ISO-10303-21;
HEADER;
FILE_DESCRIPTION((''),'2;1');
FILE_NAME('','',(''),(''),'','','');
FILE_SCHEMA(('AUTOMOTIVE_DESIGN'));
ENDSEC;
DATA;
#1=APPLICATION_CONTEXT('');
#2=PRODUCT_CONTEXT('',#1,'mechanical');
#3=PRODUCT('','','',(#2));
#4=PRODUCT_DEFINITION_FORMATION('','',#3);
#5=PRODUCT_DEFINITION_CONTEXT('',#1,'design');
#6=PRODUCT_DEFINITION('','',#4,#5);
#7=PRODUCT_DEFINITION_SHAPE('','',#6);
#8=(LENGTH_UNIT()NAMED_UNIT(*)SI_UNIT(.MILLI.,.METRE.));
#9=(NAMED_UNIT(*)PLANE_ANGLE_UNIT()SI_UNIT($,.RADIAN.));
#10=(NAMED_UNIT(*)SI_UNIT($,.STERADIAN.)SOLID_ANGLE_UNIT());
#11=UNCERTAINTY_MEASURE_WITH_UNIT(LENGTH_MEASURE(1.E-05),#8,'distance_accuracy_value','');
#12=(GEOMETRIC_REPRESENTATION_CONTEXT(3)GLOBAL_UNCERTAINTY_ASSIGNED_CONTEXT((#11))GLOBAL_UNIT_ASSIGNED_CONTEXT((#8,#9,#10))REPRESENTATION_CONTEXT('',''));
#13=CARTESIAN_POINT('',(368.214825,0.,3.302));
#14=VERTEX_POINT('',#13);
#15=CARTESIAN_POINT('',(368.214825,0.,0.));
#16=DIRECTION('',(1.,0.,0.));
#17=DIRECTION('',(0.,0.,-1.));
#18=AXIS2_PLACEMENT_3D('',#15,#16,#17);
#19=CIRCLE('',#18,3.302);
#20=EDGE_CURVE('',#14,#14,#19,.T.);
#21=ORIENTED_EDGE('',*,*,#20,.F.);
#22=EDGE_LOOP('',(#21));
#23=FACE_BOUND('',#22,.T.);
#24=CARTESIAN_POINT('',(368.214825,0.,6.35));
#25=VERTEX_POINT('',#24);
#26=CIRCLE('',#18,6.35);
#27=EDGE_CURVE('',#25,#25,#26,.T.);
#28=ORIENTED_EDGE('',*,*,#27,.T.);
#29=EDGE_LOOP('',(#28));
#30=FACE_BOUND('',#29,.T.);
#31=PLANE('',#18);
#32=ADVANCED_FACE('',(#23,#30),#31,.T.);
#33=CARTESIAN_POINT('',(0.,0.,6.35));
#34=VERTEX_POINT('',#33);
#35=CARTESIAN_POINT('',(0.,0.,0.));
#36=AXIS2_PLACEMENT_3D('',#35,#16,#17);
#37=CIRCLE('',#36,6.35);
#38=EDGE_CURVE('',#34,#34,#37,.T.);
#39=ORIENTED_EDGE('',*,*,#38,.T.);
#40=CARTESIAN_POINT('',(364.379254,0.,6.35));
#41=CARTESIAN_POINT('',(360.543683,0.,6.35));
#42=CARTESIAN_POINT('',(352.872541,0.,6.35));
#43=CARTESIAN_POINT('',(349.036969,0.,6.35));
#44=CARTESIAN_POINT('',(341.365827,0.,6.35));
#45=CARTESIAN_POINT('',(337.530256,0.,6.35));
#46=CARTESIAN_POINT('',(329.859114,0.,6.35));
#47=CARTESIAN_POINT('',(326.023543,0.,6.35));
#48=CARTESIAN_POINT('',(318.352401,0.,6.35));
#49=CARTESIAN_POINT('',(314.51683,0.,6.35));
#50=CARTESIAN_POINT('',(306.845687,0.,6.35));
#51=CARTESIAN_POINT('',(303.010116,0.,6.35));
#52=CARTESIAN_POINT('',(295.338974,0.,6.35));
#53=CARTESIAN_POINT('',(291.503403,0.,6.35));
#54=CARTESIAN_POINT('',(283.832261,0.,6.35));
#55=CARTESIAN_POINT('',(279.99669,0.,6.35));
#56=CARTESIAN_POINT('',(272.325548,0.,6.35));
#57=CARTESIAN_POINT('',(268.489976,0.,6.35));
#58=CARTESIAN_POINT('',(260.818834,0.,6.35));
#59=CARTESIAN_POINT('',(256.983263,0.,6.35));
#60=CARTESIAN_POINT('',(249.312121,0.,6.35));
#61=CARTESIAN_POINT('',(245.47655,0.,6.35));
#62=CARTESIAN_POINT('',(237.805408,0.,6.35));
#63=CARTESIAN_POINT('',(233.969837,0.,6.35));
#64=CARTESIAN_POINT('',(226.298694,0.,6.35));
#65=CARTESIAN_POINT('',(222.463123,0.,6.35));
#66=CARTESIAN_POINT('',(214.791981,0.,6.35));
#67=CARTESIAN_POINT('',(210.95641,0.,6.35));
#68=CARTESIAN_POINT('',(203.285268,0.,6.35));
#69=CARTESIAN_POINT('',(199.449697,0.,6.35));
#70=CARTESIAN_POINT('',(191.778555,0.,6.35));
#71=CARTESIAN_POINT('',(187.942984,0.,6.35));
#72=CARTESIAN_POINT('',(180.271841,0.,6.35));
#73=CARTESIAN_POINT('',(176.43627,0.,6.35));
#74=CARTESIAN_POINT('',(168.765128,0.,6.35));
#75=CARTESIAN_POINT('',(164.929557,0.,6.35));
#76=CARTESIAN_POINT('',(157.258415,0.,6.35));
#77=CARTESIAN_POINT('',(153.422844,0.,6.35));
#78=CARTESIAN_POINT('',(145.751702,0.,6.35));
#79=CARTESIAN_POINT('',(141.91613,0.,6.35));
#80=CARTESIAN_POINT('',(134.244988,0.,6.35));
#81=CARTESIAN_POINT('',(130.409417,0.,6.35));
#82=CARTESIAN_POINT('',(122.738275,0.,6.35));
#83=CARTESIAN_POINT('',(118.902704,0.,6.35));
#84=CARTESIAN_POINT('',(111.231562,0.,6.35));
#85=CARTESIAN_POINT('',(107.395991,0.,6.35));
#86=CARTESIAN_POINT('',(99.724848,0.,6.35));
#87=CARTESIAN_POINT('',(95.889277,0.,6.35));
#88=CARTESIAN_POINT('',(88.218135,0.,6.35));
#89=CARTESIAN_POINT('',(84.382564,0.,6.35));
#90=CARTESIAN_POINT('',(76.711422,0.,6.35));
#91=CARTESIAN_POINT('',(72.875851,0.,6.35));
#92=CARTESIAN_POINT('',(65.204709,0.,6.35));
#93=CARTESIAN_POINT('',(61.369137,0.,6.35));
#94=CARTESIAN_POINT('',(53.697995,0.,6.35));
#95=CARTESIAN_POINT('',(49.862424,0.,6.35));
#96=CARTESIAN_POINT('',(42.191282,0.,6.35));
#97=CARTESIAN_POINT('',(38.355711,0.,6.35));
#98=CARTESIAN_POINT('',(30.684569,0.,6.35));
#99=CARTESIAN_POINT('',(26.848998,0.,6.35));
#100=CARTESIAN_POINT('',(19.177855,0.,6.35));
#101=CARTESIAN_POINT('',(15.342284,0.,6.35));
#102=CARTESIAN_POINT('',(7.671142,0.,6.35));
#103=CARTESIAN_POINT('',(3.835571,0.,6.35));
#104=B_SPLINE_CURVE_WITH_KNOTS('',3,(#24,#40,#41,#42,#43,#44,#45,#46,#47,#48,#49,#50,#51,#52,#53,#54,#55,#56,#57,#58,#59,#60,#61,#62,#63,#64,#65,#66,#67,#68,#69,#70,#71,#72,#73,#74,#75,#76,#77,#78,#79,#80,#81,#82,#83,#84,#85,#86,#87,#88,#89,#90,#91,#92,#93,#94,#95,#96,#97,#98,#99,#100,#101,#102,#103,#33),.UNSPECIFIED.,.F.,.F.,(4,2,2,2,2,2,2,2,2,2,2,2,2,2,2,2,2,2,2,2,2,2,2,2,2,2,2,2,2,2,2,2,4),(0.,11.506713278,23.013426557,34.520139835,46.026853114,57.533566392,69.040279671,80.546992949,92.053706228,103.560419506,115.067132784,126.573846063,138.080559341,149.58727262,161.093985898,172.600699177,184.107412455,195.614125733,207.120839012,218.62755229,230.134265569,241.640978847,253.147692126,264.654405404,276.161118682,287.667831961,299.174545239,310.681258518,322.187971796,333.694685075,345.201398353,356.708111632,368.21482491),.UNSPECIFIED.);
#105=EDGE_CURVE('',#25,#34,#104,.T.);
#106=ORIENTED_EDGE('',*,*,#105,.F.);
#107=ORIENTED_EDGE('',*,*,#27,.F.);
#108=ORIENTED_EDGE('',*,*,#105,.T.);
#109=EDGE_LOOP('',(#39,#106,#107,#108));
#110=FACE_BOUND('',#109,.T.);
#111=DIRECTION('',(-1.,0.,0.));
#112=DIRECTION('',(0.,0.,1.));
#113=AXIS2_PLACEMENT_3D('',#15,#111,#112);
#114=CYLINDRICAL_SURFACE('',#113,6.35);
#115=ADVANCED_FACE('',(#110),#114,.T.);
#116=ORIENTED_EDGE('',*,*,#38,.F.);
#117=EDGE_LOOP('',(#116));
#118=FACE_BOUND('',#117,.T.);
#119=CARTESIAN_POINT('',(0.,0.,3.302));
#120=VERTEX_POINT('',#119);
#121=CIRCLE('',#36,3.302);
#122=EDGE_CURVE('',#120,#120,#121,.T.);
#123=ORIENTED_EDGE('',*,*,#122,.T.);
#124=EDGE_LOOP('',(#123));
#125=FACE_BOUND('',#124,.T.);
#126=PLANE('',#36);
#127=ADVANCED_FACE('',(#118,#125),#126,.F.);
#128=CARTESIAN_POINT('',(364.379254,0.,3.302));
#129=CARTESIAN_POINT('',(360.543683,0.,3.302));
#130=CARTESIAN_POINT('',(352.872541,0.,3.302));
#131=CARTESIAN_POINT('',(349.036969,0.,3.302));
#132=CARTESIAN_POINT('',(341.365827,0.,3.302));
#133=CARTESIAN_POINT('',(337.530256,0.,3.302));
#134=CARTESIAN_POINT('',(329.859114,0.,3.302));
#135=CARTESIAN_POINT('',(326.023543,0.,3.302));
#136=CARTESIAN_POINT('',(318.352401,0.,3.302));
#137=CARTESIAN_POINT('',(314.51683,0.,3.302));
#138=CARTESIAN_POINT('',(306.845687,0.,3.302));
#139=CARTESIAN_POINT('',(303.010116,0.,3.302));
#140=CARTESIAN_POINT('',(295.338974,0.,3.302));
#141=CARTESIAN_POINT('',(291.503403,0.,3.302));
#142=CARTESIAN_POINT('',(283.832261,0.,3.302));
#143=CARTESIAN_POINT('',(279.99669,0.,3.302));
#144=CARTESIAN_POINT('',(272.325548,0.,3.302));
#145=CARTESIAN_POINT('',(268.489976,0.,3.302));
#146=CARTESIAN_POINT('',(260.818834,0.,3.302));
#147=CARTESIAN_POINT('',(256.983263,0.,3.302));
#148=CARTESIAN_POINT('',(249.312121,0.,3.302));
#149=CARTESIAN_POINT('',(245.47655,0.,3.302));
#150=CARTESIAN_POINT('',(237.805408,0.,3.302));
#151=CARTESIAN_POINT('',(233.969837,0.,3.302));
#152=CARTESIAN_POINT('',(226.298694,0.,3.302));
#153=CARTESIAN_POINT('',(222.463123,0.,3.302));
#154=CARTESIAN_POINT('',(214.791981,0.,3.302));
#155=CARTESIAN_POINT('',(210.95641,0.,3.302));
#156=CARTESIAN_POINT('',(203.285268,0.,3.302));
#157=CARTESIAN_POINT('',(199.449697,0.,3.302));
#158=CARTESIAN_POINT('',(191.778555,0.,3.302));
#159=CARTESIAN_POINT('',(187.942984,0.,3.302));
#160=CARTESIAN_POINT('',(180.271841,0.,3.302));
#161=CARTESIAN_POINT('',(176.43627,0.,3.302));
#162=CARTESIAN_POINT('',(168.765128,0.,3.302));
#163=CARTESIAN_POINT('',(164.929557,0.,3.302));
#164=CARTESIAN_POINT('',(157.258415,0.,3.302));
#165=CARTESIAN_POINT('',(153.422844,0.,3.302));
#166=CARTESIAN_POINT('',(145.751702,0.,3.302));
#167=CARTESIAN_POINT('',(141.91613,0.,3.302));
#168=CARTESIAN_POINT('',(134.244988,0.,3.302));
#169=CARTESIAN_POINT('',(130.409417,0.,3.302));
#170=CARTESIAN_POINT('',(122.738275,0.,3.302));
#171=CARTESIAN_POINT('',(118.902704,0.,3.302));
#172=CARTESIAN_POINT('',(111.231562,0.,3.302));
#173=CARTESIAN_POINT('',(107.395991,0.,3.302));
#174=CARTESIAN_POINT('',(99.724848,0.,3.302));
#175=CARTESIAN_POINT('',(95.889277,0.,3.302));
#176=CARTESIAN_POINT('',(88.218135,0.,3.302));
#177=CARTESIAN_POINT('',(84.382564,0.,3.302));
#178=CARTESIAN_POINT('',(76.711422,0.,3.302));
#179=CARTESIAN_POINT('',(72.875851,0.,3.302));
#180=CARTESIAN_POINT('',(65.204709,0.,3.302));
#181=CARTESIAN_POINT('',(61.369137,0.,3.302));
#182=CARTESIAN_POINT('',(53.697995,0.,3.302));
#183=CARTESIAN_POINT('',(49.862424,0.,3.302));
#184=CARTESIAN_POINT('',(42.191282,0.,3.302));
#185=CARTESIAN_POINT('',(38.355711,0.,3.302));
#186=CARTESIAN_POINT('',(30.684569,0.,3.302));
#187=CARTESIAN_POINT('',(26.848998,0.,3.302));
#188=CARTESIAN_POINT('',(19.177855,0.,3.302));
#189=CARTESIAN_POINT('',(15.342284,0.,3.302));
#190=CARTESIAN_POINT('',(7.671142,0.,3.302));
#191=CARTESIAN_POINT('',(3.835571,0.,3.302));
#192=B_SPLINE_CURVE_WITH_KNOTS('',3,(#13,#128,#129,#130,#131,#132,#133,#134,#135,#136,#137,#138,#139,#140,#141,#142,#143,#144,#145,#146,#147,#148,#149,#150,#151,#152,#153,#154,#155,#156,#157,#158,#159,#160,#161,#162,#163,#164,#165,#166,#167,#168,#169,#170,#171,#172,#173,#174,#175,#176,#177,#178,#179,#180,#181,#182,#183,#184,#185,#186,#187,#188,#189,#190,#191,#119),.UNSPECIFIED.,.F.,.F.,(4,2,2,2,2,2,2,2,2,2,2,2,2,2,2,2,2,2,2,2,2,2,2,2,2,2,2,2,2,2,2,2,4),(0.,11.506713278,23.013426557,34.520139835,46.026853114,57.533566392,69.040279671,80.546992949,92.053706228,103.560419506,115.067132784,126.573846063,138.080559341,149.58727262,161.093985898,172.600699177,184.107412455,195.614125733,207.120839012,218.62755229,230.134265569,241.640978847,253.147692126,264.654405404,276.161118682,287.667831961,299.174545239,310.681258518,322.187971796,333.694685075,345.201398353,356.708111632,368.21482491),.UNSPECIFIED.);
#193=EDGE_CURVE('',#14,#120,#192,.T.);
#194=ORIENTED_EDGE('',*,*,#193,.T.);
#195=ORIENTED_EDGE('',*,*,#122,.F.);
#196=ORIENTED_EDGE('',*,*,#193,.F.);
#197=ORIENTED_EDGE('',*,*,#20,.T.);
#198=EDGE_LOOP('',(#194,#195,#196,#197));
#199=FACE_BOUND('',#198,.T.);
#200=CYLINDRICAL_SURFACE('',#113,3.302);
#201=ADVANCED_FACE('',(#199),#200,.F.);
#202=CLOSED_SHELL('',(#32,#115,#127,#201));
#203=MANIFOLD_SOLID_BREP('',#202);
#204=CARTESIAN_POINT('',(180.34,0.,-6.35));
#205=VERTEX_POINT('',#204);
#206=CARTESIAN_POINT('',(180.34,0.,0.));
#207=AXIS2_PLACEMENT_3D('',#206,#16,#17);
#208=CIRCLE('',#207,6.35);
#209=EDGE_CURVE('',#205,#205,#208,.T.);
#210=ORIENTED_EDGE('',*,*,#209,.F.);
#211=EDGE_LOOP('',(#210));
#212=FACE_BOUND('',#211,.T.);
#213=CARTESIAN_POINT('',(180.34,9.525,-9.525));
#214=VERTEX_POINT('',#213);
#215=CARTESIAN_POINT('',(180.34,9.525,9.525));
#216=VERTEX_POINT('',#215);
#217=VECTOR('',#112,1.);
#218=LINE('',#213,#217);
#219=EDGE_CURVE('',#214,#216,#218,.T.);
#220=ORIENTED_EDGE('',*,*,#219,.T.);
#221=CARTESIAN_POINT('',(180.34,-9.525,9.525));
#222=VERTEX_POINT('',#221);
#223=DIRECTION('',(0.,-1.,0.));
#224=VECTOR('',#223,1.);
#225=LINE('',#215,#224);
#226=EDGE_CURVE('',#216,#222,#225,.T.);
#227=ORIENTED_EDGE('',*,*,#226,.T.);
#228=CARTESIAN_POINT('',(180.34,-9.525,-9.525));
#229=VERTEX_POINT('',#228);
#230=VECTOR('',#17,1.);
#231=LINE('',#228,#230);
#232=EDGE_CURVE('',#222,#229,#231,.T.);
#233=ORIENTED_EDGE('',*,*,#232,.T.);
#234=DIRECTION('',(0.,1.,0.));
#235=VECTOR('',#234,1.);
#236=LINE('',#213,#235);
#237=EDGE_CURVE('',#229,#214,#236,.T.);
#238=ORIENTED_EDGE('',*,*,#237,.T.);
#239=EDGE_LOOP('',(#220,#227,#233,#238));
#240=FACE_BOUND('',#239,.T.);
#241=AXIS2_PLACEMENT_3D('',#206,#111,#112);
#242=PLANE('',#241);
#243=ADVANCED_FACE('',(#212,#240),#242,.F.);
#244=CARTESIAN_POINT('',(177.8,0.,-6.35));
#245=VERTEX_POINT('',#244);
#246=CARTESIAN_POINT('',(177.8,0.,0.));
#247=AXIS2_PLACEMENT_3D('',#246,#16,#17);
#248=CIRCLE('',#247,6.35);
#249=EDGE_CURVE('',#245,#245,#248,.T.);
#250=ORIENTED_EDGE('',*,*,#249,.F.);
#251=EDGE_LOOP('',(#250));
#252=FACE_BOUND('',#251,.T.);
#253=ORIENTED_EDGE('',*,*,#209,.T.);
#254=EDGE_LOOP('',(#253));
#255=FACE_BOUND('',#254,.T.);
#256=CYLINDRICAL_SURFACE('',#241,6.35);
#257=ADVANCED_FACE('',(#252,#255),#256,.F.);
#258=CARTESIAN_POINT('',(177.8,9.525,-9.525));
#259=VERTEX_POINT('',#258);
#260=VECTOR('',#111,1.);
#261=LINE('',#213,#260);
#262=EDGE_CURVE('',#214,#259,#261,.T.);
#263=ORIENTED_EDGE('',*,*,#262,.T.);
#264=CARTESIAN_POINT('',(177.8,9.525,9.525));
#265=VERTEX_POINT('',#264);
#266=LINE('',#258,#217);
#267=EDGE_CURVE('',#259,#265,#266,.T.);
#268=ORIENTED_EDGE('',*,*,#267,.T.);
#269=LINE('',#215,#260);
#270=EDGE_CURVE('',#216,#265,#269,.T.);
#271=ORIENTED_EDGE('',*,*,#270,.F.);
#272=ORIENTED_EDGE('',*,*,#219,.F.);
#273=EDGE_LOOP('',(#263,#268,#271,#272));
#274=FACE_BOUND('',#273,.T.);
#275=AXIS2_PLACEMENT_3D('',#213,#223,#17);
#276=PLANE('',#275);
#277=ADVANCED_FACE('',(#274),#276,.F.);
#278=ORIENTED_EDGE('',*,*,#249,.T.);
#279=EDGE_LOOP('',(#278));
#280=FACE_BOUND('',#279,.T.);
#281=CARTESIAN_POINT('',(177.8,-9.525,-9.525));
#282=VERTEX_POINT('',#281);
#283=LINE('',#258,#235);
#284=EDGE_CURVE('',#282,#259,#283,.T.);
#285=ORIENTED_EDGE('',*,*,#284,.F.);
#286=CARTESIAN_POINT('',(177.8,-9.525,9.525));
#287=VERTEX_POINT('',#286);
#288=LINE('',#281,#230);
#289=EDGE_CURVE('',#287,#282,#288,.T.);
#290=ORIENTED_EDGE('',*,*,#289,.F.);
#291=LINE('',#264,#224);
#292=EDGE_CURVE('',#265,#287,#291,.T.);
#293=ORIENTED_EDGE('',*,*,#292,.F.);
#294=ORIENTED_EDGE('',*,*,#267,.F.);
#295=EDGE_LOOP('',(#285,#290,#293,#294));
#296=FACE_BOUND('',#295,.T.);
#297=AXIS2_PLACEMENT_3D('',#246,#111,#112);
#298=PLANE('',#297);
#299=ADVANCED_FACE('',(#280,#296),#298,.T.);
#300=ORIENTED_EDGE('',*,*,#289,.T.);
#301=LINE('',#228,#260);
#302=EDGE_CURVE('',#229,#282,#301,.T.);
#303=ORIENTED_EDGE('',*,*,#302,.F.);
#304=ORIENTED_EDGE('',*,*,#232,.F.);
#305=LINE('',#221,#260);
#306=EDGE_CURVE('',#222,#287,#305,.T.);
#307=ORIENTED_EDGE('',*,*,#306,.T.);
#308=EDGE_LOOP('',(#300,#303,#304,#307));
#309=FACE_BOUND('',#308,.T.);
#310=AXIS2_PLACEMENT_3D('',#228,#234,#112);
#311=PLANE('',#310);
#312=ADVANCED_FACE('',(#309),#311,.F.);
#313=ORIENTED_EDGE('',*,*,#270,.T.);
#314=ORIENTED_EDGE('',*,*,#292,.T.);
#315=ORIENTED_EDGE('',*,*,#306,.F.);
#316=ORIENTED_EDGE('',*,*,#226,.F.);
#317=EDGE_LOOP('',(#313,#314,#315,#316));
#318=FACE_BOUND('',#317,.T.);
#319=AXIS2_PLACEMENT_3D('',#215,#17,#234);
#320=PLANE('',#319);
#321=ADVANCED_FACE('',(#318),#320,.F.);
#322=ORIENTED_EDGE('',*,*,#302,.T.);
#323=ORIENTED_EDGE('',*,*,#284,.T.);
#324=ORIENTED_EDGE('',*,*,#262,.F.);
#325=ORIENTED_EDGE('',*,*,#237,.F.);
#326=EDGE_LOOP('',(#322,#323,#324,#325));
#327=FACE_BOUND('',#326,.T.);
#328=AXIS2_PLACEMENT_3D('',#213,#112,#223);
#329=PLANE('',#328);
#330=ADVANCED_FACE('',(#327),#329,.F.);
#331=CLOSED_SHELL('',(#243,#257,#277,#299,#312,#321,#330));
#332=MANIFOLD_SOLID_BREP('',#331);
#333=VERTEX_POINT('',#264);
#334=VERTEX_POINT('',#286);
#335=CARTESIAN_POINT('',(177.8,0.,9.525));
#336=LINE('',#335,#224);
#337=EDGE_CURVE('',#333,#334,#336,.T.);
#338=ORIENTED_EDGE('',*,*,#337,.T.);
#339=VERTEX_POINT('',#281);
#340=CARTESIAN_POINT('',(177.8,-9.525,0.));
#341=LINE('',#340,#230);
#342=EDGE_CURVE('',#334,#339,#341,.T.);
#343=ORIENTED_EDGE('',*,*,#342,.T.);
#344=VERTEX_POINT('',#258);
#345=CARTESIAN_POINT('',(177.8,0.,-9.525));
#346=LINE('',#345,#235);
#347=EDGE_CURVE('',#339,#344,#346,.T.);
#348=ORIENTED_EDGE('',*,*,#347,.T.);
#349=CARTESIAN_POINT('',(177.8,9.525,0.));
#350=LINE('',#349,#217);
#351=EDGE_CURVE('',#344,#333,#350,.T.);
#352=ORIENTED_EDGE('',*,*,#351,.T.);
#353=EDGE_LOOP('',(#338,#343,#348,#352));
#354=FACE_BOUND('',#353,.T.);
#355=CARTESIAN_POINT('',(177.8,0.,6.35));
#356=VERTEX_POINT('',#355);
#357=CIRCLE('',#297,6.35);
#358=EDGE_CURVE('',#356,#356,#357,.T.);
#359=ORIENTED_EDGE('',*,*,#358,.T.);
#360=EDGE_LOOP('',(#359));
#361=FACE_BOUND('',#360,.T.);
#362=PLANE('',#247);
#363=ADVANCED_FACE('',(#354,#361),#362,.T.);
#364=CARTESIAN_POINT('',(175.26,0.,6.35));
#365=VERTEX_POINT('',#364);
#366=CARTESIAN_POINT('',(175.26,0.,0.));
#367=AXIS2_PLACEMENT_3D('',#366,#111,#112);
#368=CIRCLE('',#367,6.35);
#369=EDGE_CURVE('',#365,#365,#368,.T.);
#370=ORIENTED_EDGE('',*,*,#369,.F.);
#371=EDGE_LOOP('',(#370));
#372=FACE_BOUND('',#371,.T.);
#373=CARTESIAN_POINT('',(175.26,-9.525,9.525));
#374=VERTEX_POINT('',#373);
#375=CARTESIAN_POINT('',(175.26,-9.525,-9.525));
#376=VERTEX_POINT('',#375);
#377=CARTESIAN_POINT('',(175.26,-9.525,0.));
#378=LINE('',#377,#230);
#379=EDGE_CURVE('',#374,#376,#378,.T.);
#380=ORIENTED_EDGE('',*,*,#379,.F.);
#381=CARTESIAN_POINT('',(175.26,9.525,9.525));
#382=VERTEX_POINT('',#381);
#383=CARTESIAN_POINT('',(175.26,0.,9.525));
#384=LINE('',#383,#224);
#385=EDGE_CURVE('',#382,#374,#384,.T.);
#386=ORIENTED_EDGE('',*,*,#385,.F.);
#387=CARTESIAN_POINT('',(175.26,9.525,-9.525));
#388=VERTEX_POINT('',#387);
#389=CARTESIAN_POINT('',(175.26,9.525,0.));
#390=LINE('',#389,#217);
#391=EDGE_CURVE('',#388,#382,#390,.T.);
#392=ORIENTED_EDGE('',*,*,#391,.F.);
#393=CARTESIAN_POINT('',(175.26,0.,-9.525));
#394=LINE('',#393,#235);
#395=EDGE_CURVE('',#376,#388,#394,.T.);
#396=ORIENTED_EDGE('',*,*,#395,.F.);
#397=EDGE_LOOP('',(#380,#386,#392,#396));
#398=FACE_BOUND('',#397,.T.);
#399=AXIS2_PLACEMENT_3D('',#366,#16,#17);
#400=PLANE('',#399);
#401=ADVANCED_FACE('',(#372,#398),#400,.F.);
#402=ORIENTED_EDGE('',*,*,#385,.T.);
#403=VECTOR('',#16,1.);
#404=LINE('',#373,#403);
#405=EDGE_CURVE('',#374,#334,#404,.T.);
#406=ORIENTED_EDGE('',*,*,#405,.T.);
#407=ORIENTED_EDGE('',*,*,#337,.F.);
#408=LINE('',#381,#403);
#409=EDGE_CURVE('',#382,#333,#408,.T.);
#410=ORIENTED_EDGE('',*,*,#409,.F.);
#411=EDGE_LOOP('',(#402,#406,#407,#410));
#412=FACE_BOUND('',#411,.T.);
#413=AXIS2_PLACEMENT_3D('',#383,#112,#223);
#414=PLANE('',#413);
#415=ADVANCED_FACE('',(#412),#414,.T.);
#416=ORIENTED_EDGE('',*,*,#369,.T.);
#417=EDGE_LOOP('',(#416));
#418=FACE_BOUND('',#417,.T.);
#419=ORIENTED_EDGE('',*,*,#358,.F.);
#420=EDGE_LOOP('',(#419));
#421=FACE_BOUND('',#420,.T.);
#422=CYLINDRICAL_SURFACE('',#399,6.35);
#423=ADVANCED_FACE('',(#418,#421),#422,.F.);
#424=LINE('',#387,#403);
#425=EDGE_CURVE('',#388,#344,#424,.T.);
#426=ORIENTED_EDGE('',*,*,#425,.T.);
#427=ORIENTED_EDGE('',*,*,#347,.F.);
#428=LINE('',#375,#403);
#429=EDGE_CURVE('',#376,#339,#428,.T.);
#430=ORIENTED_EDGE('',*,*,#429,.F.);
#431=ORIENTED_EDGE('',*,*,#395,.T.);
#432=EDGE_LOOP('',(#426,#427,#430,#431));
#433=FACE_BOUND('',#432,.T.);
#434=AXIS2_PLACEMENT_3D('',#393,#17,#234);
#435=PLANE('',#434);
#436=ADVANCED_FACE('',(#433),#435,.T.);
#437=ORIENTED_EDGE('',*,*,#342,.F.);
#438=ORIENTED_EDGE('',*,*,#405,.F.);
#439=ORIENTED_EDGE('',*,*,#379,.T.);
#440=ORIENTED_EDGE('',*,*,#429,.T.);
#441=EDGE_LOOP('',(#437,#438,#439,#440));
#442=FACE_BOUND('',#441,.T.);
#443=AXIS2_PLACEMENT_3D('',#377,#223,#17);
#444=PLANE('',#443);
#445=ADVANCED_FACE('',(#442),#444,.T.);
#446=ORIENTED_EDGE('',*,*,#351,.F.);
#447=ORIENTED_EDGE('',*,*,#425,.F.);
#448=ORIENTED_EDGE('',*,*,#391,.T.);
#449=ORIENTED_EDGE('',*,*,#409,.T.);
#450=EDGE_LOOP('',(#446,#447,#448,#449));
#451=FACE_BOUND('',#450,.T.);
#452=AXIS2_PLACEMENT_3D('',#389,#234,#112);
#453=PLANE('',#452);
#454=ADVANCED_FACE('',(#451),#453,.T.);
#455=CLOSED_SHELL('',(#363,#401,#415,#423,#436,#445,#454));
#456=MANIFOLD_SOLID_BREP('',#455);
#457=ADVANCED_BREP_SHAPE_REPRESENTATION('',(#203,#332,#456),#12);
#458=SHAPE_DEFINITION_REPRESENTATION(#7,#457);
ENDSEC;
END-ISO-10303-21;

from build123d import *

# Parameters (mm, degrees)
SKETCH11_R            = 6.35
SKETCH11_R_2          = 3.302
PULL_ROD_MEMBER_DEPTH = 368.21482491
PULL_START            = 177.8
SKETCH12_W            = 19.05
SKETCH12_H            = 19.05
SKETCH12_R            = 6.35
PULL_ROD_NUT_1_DEPTH  = 2.54
SKETCH13_W            = 19.05
SKETCH13_H            = 19.05
SKETCH13_R            = 6.35
PULL_ROD_NUT_2_DEPTH  = 2.54


with BuildPart() as part:
    # Sketch11 → Pull Rod Member (new body)
    with BuildSketch(Plane.YZ):
        Circle(SKETCH11_R)
        Circle(SKETCH11_R_2, mode=Mode.SUBTRACT)
    extrude(amount=PULL_ROD_MEMBER_DEPTH)


with BuildPart() as body_2:
    # Sketch12 → Pull Rod Nut 1 (new body)
    with BuildSketch(Plane(origin=(0, 0, 0), x_dir=(0, 0, -1), z_dir=(1, 0, 0)).offset(PULL_START)):
        Rectangle(SKETCH12_W, SKETCH12_H)
        Circle(SKETCH12_R, mode=Mode.SUBTRACT)
    extrude(amount=PULL_ROD_NUT_1_DEPTH)


with BuildPart() as body_3:
    # Sketch13 → Pull Rod Nut 2 (new body)
    with BuildSketch(Plane(origin=(0, 0, 0), x_dir=(0, 0, -1), z_dir=(1, 0, 0)).offset(PULL_START)):
        Rectangle(SKETCH13_W, SKETCH13_H)
        with Locations(Location((0, 0, 0), (0, 0, 180))):
            Circle(SKETCH13_R, mode=Mode.SUBTRACT)
    extrude(amount=-PULL_ROD_NUT_2_DEPTH)


solid = Compound([part.part, body_2.part, body_3.part])
